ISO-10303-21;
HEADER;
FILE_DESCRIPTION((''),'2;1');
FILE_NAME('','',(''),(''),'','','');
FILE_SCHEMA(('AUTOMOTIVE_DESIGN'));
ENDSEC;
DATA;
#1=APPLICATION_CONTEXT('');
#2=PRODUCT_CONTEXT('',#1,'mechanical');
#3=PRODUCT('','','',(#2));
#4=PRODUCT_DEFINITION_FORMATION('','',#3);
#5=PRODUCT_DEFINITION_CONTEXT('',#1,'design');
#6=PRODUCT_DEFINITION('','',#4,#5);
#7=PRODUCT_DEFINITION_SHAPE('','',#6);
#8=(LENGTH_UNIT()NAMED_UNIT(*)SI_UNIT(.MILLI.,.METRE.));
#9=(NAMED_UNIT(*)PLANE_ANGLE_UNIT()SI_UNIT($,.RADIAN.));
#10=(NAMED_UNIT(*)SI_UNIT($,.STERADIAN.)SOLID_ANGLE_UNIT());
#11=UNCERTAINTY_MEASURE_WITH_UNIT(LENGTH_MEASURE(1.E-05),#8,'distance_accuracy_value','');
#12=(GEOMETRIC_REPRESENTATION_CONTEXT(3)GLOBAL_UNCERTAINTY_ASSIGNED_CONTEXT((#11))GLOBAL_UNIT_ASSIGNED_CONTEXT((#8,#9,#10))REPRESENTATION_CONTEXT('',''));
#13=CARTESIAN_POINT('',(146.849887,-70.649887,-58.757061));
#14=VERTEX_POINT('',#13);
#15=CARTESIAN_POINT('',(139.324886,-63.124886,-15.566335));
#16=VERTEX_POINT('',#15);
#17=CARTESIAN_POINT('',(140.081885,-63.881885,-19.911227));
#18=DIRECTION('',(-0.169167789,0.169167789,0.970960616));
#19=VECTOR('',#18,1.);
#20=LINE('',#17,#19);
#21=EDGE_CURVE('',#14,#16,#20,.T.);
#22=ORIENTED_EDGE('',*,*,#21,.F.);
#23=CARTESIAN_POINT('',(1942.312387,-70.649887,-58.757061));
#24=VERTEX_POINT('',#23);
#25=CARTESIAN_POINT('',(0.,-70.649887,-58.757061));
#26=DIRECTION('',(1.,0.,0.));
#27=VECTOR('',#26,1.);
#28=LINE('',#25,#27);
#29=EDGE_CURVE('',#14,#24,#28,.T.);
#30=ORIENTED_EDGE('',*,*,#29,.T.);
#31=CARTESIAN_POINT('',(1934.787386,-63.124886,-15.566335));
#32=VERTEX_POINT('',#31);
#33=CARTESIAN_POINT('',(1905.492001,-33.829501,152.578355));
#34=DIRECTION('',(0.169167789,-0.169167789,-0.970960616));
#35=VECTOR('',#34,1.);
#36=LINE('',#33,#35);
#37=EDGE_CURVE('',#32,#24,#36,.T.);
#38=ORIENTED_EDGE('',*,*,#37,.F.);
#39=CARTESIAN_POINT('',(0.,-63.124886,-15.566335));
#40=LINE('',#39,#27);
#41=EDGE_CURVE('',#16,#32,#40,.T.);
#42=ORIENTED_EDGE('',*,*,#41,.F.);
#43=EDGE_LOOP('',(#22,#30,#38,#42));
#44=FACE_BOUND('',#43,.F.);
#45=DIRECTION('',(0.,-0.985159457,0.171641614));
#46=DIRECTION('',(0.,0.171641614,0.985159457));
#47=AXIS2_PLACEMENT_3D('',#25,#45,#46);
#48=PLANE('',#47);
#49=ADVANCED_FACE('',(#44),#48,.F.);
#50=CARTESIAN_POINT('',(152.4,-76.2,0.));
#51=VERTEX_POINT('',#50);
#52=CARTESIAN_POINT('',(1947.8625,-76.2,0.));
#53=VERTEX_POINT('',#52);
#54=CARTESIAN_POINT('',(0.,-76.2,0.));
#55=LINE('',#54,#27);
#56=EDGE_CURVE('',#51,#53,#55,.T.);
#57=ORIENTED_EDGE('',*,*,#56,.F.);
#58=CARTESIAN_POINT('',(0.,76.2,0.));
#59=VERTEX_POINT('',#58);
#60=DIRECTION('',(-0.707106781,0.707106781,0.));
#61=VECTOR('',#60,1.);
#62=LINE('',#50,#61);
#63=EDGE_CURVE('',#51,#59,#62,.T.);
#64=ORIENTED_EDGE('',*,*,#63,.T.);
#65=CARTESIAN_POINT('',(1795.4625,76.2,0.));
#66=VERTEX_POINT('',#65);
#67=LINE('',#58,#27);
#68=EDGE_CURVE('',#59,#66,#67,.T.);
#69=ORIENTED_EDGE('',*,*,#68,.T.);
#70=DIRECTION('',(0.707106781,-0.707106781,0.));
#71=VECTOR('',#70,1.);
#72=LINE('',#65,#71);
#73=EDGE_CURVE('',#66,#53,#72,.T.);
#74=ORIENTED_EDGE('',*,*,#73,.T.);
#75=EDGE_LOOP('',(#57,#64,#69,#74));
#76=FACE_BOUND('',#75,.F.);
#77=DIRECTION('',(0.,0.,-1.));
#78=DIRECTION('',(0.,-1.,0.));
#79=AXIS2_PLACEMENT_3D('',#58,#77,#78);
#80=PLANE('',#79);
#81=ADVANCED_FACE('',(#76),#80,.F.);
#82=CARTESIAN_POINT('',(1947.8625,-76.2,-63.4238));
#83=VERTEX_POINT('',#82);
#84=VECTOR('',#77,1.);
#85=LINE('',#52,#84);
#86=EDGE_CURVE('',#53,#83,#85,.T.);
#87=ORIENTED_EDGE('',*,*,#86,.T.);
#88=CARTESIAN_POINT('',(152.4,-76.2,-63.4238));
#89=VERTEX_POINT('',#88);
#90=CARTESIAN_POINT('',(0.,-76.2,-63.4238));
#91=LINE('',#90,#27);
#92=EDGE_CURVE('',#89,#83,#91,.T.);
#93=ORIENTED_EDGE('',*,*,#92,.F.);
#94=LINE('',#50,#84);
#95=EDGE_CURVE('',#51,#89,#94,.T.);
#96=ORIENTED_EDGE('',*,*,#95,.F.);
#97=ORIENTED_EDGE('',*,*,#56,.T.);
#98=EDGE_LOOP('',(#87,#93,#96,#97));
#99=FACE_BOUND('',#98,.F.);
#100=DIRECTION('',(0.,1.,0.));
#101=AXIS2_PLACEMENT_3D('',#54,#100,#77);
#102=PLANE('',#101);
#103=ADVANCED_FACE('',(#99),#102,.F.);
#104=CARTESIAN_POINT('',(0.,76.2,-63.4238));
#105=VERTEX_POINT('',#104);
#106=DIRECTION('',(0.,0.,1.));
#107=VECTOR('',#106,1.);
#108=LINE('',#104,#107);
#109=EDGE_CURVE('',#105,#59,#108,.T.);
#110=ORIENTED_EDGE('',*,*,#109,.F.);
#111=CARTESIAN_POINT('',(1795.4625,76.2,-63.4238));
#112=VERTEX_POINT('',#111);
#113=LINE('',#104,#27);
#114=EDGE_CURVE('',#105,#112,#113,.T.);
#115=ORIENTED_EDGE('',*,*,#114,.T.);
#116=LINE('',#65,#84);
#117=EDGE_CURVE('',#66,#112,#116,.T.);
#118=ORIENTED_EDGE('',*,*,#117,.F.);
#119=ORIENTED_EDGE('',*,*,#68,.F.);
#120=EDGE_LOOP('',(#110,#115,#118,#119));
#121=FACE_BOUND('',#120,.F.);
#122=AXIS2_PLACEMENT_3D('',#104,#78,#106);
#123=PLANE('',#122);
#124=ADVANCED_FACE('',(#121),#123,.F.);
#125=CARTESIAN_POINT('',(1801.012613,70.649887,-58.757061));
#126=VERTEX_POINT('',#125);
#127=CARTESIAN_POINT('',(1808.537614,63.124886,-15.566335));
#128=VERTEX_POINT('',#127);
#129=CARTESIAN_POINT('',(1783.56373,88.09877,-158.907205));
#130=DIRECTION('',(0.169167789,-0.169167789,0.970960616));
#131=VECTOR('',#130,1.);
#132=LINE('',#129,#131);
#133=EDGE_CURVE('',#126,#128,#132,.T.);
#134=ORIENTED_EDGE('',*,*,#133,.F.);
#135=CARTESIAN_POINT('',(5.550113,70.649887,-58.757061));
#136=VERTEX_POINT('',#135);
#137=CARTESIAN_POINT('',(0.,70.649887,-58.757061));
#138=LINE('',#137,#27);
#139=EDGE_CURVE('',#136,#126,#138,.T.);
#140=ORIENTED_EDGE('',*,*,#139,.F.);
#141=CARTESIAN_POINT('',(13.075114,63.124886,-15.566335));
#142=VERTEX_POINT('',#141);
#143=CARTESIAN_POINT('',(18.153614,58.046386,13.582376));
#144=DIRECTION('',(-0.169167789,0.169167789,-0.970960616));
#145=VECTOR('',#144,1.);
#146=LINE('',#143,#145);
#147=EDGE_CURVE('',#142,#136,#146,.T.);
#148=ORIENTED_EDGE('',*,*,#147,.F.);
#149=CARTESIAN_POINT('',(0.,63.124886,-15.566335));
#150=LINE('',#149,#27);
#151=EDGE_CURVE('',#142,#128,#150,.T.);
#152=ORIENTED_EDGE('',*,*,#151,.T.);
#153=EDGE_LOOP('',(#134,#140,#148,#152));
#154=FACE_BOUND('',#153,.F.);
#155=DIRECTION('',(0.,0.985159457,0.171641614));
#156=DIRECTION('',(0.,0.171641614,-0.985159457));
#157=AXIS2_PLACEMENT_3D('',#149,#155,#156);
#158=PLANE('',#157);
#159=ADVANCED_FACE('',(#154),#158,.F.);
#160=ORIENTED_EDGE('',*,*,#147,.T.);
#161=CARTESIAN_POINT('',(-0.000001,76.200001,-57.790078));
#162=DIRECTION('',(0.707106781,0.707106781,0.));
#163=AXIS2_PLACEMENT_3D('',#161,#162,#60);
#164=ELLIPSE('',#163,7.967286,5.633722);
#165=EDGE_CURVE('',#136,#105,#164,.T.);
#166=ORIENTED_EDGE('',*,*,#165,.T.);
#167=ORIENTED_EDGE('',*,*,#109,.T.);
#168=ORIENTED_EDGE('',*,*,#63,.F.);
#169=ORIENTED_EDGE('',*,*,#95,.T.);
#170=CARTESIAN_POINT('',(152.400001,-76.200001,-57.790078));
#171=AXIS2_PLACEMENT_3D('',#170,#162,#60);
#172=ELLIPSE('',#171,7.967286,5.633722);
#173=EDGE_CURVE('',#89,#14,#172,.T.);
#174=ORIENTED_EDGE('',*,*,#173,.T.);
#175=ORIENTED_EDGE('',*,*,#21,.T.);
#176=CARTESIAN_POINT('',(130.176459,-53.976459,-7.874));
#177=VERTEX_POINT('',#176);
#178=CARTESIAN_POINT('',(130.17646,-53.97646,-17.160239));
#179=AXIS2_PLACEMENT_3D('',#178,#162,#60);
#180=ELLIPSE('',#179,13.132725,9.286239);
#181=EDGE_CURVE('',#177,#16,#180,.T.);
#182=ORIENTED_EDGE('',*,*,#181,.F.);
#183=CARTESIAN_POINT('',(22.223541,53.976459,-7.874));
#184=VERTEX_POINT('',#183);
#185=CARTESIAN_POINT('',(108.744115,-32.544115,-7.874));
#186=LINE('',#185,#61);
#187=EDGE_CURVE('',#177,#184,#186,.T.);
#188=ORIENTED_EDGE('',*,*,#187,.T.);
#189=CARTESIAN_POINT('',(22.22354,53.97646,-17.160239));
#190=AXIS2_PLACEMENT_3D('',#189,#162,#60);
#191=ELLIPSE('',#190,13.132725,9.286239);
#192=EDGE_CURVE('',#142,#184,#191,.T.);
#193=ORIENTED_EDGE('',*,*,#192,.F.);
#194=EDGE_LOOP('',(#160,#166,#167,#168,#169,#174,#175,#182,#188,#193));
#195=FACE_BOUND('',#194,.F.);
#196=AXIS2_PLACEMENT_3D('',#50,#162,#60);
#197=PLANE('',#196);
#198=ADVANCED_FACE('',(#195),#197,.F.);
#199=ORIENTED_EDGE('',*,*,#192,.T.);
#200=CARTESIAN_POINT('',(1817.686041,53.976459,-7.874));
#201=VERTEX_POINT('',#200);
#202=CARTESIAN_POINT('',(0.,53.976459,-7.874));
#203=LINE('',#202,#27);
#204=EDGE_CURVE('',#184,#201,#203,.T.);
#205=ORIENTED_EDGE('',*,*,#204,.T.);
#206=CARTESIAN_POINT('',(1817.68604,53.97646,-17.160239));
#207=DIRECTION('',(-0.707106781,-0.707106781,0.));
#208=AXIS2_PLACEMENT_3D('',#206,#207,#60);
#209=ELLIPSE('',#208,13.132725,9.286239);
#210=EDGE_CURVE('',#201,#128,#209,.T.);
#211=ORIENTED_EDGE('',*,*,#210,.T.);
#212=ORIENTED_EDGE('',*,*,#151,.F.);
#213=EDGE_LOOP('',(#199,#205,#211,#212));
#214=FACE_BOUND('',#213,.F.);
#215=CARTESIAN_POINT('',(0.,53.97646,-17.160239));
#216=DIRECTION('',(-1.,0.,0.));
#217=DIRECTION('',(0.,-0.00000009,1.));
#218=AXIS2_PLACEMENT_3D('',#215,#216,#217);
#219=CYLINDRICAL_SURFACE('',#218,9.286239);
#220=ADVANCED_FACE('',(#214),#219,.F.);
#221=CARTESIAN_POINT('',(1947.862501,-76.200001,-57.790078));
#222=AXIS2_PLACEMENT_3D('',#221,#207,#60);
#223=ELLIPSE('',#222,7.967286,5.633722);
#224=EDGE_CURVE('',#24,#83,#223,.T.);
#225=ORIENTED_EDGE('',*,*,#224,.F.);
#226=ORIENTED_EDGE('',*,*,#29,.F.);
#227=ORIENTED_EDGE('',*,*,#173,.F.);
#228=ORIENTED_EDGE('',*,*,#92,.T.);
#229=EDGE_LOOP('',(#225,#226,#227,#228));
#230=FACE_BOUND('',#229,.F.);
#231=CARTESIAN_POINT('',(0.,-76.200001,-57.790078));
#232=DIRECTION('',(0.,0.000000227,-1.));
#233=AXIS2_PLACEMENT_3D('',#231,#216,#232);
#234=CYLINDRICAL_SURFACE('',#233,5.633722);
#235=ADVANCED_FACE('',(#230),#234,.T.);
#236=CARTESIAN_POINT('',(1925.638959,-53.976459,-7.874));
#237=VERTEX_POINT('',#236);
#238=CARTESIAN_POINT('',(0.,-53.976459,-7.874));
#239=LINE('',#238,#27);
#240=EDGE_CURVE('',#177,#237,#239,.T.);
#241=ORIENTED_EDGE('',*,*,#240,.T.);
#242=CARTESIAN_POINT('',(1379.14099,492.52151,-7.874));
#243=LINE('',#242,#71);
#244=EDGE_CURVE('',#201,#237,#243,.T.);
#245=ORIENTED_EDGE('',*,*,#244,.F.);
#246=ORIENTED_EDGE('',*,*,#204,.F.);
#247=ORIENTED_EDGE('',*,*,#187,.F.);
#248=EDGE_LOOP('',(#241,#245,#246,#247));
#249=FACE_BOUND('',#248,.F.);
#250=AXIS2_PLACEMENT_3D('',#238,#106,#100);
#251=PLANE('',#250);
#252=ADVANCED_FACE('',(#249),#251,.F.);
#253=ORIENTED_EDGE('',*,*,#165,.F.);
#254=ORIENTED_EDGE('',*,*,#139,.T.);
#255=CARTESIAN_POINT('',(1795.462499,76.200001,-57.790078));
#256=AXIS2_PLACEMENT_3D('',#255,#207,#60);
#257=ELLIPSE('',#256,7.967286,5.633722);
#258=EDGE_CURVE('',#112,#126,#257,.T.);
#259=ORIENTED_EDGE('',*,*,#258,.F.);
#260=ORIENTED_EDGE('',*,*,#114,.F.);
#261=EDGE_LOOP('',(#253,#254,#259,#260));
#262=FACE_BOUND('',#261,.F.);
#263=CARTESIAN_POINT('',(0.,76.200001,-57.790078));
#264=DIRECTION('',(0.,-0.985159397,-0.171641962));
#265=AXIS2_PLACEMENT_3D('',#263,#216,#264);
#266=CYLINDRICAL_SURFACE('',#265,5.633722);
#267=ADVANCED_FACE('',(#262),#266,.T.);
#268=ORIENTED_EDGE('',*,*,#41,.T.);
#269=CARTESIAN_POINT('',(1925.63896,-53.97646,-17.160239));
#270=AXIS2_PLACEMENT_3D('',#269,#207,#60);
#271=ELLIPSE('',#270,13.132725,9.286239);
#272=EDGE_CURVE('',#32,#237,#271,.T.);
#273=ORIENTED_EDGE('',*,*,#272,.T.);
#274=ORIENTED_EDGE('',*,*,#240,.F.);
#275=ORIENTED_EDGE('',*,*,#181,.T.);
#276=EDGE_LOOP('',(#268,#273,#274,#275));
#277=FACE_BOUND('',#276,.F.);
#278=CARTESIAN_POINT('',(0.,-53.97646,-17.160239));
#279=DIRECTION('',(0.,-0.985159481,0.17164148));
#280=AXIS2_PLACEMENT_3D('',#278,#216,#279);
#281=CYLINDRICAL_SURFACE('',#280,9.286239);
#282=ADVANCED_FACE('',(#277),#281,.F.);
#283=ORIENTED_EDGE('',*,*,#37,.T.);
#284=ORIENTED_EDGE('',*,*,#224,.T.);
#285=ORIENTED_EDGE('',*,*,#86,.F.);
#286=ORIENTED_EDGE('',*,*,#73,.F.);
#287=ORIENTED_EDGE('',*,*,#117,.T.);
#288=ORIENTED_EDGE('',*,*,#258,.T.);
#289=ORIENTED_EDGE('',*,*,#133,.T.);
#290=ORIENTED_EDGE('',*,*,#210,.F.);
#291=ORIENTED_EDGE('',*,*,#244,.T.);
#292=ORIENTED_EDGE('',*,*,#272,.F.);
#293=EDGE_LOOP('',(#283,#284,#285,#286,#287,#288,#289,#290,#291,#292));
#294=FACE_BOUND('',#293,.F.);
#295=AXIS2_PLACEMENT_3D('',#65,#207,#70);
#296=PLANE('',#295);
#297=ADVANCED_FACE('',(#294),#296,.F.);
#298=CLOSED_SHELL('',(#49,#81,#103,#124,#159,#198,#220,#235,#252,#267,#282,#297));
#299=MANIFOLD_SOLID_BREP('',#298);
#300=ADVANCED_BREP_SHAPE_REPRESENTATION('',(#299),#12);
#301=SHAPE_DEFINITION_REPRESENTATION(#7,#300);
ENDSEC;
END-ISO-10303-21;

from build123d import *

# Parameters (mm, degrees)
F1_DEPTH = 1947.8625
F3_DEPTH = 63.4248


with BuildPart() as f1:
    # F0 (on Right) → F1 (new body)
    with BuildSketch(Plane.YZ):
        with BuildLine():
            Line((76.2, 0), (-76.2, 0))
            Line((-76.2, 0), (-76.2, -63.4238))
            ThreePointArc((-76.2, -63.4238), (-72.574321, -62.102069), (-70.649887, -58.757061))
            Line((-70.649887, -58.757061), (-63.124886, -15.566335))
            ThreePointArc((-63.124886, -15.566335), (-59.952782, -10.052651), (-53.976459, -7.874))
            Line((-53.976459, -7.874), (53.976459, -7.874))
            ThreePointArc((53.976459, -7.874), (59.952782, -10.052651), (63.124886, -15.566335))
            Line((63.124886, -15.566335), (70.649887, -58.757061))
            ThreePointArc((70.649887, -58.757061), (72.574321, -62.102069), (76.2, -63.4238))
            Line((76.2, -63.4238), (76.2, 0))
        make_face()
    extrude(amount=F1_DEPTH)

    # F2 (on face) → F3 (cut, through all)
    with BuildSketch(Plane.XY):
        Polygon((152.4, -76.2), (0, 76.2), (0, -76.2), align=None)
        Polygon((1795.4625, 76.2), (1947.8625, -76.2), (1947.8625, 76.2), align=None)
    extrude(amount=-F3_DEPTH, mode=Mode.SUBTRACT)


solid = f1.part
